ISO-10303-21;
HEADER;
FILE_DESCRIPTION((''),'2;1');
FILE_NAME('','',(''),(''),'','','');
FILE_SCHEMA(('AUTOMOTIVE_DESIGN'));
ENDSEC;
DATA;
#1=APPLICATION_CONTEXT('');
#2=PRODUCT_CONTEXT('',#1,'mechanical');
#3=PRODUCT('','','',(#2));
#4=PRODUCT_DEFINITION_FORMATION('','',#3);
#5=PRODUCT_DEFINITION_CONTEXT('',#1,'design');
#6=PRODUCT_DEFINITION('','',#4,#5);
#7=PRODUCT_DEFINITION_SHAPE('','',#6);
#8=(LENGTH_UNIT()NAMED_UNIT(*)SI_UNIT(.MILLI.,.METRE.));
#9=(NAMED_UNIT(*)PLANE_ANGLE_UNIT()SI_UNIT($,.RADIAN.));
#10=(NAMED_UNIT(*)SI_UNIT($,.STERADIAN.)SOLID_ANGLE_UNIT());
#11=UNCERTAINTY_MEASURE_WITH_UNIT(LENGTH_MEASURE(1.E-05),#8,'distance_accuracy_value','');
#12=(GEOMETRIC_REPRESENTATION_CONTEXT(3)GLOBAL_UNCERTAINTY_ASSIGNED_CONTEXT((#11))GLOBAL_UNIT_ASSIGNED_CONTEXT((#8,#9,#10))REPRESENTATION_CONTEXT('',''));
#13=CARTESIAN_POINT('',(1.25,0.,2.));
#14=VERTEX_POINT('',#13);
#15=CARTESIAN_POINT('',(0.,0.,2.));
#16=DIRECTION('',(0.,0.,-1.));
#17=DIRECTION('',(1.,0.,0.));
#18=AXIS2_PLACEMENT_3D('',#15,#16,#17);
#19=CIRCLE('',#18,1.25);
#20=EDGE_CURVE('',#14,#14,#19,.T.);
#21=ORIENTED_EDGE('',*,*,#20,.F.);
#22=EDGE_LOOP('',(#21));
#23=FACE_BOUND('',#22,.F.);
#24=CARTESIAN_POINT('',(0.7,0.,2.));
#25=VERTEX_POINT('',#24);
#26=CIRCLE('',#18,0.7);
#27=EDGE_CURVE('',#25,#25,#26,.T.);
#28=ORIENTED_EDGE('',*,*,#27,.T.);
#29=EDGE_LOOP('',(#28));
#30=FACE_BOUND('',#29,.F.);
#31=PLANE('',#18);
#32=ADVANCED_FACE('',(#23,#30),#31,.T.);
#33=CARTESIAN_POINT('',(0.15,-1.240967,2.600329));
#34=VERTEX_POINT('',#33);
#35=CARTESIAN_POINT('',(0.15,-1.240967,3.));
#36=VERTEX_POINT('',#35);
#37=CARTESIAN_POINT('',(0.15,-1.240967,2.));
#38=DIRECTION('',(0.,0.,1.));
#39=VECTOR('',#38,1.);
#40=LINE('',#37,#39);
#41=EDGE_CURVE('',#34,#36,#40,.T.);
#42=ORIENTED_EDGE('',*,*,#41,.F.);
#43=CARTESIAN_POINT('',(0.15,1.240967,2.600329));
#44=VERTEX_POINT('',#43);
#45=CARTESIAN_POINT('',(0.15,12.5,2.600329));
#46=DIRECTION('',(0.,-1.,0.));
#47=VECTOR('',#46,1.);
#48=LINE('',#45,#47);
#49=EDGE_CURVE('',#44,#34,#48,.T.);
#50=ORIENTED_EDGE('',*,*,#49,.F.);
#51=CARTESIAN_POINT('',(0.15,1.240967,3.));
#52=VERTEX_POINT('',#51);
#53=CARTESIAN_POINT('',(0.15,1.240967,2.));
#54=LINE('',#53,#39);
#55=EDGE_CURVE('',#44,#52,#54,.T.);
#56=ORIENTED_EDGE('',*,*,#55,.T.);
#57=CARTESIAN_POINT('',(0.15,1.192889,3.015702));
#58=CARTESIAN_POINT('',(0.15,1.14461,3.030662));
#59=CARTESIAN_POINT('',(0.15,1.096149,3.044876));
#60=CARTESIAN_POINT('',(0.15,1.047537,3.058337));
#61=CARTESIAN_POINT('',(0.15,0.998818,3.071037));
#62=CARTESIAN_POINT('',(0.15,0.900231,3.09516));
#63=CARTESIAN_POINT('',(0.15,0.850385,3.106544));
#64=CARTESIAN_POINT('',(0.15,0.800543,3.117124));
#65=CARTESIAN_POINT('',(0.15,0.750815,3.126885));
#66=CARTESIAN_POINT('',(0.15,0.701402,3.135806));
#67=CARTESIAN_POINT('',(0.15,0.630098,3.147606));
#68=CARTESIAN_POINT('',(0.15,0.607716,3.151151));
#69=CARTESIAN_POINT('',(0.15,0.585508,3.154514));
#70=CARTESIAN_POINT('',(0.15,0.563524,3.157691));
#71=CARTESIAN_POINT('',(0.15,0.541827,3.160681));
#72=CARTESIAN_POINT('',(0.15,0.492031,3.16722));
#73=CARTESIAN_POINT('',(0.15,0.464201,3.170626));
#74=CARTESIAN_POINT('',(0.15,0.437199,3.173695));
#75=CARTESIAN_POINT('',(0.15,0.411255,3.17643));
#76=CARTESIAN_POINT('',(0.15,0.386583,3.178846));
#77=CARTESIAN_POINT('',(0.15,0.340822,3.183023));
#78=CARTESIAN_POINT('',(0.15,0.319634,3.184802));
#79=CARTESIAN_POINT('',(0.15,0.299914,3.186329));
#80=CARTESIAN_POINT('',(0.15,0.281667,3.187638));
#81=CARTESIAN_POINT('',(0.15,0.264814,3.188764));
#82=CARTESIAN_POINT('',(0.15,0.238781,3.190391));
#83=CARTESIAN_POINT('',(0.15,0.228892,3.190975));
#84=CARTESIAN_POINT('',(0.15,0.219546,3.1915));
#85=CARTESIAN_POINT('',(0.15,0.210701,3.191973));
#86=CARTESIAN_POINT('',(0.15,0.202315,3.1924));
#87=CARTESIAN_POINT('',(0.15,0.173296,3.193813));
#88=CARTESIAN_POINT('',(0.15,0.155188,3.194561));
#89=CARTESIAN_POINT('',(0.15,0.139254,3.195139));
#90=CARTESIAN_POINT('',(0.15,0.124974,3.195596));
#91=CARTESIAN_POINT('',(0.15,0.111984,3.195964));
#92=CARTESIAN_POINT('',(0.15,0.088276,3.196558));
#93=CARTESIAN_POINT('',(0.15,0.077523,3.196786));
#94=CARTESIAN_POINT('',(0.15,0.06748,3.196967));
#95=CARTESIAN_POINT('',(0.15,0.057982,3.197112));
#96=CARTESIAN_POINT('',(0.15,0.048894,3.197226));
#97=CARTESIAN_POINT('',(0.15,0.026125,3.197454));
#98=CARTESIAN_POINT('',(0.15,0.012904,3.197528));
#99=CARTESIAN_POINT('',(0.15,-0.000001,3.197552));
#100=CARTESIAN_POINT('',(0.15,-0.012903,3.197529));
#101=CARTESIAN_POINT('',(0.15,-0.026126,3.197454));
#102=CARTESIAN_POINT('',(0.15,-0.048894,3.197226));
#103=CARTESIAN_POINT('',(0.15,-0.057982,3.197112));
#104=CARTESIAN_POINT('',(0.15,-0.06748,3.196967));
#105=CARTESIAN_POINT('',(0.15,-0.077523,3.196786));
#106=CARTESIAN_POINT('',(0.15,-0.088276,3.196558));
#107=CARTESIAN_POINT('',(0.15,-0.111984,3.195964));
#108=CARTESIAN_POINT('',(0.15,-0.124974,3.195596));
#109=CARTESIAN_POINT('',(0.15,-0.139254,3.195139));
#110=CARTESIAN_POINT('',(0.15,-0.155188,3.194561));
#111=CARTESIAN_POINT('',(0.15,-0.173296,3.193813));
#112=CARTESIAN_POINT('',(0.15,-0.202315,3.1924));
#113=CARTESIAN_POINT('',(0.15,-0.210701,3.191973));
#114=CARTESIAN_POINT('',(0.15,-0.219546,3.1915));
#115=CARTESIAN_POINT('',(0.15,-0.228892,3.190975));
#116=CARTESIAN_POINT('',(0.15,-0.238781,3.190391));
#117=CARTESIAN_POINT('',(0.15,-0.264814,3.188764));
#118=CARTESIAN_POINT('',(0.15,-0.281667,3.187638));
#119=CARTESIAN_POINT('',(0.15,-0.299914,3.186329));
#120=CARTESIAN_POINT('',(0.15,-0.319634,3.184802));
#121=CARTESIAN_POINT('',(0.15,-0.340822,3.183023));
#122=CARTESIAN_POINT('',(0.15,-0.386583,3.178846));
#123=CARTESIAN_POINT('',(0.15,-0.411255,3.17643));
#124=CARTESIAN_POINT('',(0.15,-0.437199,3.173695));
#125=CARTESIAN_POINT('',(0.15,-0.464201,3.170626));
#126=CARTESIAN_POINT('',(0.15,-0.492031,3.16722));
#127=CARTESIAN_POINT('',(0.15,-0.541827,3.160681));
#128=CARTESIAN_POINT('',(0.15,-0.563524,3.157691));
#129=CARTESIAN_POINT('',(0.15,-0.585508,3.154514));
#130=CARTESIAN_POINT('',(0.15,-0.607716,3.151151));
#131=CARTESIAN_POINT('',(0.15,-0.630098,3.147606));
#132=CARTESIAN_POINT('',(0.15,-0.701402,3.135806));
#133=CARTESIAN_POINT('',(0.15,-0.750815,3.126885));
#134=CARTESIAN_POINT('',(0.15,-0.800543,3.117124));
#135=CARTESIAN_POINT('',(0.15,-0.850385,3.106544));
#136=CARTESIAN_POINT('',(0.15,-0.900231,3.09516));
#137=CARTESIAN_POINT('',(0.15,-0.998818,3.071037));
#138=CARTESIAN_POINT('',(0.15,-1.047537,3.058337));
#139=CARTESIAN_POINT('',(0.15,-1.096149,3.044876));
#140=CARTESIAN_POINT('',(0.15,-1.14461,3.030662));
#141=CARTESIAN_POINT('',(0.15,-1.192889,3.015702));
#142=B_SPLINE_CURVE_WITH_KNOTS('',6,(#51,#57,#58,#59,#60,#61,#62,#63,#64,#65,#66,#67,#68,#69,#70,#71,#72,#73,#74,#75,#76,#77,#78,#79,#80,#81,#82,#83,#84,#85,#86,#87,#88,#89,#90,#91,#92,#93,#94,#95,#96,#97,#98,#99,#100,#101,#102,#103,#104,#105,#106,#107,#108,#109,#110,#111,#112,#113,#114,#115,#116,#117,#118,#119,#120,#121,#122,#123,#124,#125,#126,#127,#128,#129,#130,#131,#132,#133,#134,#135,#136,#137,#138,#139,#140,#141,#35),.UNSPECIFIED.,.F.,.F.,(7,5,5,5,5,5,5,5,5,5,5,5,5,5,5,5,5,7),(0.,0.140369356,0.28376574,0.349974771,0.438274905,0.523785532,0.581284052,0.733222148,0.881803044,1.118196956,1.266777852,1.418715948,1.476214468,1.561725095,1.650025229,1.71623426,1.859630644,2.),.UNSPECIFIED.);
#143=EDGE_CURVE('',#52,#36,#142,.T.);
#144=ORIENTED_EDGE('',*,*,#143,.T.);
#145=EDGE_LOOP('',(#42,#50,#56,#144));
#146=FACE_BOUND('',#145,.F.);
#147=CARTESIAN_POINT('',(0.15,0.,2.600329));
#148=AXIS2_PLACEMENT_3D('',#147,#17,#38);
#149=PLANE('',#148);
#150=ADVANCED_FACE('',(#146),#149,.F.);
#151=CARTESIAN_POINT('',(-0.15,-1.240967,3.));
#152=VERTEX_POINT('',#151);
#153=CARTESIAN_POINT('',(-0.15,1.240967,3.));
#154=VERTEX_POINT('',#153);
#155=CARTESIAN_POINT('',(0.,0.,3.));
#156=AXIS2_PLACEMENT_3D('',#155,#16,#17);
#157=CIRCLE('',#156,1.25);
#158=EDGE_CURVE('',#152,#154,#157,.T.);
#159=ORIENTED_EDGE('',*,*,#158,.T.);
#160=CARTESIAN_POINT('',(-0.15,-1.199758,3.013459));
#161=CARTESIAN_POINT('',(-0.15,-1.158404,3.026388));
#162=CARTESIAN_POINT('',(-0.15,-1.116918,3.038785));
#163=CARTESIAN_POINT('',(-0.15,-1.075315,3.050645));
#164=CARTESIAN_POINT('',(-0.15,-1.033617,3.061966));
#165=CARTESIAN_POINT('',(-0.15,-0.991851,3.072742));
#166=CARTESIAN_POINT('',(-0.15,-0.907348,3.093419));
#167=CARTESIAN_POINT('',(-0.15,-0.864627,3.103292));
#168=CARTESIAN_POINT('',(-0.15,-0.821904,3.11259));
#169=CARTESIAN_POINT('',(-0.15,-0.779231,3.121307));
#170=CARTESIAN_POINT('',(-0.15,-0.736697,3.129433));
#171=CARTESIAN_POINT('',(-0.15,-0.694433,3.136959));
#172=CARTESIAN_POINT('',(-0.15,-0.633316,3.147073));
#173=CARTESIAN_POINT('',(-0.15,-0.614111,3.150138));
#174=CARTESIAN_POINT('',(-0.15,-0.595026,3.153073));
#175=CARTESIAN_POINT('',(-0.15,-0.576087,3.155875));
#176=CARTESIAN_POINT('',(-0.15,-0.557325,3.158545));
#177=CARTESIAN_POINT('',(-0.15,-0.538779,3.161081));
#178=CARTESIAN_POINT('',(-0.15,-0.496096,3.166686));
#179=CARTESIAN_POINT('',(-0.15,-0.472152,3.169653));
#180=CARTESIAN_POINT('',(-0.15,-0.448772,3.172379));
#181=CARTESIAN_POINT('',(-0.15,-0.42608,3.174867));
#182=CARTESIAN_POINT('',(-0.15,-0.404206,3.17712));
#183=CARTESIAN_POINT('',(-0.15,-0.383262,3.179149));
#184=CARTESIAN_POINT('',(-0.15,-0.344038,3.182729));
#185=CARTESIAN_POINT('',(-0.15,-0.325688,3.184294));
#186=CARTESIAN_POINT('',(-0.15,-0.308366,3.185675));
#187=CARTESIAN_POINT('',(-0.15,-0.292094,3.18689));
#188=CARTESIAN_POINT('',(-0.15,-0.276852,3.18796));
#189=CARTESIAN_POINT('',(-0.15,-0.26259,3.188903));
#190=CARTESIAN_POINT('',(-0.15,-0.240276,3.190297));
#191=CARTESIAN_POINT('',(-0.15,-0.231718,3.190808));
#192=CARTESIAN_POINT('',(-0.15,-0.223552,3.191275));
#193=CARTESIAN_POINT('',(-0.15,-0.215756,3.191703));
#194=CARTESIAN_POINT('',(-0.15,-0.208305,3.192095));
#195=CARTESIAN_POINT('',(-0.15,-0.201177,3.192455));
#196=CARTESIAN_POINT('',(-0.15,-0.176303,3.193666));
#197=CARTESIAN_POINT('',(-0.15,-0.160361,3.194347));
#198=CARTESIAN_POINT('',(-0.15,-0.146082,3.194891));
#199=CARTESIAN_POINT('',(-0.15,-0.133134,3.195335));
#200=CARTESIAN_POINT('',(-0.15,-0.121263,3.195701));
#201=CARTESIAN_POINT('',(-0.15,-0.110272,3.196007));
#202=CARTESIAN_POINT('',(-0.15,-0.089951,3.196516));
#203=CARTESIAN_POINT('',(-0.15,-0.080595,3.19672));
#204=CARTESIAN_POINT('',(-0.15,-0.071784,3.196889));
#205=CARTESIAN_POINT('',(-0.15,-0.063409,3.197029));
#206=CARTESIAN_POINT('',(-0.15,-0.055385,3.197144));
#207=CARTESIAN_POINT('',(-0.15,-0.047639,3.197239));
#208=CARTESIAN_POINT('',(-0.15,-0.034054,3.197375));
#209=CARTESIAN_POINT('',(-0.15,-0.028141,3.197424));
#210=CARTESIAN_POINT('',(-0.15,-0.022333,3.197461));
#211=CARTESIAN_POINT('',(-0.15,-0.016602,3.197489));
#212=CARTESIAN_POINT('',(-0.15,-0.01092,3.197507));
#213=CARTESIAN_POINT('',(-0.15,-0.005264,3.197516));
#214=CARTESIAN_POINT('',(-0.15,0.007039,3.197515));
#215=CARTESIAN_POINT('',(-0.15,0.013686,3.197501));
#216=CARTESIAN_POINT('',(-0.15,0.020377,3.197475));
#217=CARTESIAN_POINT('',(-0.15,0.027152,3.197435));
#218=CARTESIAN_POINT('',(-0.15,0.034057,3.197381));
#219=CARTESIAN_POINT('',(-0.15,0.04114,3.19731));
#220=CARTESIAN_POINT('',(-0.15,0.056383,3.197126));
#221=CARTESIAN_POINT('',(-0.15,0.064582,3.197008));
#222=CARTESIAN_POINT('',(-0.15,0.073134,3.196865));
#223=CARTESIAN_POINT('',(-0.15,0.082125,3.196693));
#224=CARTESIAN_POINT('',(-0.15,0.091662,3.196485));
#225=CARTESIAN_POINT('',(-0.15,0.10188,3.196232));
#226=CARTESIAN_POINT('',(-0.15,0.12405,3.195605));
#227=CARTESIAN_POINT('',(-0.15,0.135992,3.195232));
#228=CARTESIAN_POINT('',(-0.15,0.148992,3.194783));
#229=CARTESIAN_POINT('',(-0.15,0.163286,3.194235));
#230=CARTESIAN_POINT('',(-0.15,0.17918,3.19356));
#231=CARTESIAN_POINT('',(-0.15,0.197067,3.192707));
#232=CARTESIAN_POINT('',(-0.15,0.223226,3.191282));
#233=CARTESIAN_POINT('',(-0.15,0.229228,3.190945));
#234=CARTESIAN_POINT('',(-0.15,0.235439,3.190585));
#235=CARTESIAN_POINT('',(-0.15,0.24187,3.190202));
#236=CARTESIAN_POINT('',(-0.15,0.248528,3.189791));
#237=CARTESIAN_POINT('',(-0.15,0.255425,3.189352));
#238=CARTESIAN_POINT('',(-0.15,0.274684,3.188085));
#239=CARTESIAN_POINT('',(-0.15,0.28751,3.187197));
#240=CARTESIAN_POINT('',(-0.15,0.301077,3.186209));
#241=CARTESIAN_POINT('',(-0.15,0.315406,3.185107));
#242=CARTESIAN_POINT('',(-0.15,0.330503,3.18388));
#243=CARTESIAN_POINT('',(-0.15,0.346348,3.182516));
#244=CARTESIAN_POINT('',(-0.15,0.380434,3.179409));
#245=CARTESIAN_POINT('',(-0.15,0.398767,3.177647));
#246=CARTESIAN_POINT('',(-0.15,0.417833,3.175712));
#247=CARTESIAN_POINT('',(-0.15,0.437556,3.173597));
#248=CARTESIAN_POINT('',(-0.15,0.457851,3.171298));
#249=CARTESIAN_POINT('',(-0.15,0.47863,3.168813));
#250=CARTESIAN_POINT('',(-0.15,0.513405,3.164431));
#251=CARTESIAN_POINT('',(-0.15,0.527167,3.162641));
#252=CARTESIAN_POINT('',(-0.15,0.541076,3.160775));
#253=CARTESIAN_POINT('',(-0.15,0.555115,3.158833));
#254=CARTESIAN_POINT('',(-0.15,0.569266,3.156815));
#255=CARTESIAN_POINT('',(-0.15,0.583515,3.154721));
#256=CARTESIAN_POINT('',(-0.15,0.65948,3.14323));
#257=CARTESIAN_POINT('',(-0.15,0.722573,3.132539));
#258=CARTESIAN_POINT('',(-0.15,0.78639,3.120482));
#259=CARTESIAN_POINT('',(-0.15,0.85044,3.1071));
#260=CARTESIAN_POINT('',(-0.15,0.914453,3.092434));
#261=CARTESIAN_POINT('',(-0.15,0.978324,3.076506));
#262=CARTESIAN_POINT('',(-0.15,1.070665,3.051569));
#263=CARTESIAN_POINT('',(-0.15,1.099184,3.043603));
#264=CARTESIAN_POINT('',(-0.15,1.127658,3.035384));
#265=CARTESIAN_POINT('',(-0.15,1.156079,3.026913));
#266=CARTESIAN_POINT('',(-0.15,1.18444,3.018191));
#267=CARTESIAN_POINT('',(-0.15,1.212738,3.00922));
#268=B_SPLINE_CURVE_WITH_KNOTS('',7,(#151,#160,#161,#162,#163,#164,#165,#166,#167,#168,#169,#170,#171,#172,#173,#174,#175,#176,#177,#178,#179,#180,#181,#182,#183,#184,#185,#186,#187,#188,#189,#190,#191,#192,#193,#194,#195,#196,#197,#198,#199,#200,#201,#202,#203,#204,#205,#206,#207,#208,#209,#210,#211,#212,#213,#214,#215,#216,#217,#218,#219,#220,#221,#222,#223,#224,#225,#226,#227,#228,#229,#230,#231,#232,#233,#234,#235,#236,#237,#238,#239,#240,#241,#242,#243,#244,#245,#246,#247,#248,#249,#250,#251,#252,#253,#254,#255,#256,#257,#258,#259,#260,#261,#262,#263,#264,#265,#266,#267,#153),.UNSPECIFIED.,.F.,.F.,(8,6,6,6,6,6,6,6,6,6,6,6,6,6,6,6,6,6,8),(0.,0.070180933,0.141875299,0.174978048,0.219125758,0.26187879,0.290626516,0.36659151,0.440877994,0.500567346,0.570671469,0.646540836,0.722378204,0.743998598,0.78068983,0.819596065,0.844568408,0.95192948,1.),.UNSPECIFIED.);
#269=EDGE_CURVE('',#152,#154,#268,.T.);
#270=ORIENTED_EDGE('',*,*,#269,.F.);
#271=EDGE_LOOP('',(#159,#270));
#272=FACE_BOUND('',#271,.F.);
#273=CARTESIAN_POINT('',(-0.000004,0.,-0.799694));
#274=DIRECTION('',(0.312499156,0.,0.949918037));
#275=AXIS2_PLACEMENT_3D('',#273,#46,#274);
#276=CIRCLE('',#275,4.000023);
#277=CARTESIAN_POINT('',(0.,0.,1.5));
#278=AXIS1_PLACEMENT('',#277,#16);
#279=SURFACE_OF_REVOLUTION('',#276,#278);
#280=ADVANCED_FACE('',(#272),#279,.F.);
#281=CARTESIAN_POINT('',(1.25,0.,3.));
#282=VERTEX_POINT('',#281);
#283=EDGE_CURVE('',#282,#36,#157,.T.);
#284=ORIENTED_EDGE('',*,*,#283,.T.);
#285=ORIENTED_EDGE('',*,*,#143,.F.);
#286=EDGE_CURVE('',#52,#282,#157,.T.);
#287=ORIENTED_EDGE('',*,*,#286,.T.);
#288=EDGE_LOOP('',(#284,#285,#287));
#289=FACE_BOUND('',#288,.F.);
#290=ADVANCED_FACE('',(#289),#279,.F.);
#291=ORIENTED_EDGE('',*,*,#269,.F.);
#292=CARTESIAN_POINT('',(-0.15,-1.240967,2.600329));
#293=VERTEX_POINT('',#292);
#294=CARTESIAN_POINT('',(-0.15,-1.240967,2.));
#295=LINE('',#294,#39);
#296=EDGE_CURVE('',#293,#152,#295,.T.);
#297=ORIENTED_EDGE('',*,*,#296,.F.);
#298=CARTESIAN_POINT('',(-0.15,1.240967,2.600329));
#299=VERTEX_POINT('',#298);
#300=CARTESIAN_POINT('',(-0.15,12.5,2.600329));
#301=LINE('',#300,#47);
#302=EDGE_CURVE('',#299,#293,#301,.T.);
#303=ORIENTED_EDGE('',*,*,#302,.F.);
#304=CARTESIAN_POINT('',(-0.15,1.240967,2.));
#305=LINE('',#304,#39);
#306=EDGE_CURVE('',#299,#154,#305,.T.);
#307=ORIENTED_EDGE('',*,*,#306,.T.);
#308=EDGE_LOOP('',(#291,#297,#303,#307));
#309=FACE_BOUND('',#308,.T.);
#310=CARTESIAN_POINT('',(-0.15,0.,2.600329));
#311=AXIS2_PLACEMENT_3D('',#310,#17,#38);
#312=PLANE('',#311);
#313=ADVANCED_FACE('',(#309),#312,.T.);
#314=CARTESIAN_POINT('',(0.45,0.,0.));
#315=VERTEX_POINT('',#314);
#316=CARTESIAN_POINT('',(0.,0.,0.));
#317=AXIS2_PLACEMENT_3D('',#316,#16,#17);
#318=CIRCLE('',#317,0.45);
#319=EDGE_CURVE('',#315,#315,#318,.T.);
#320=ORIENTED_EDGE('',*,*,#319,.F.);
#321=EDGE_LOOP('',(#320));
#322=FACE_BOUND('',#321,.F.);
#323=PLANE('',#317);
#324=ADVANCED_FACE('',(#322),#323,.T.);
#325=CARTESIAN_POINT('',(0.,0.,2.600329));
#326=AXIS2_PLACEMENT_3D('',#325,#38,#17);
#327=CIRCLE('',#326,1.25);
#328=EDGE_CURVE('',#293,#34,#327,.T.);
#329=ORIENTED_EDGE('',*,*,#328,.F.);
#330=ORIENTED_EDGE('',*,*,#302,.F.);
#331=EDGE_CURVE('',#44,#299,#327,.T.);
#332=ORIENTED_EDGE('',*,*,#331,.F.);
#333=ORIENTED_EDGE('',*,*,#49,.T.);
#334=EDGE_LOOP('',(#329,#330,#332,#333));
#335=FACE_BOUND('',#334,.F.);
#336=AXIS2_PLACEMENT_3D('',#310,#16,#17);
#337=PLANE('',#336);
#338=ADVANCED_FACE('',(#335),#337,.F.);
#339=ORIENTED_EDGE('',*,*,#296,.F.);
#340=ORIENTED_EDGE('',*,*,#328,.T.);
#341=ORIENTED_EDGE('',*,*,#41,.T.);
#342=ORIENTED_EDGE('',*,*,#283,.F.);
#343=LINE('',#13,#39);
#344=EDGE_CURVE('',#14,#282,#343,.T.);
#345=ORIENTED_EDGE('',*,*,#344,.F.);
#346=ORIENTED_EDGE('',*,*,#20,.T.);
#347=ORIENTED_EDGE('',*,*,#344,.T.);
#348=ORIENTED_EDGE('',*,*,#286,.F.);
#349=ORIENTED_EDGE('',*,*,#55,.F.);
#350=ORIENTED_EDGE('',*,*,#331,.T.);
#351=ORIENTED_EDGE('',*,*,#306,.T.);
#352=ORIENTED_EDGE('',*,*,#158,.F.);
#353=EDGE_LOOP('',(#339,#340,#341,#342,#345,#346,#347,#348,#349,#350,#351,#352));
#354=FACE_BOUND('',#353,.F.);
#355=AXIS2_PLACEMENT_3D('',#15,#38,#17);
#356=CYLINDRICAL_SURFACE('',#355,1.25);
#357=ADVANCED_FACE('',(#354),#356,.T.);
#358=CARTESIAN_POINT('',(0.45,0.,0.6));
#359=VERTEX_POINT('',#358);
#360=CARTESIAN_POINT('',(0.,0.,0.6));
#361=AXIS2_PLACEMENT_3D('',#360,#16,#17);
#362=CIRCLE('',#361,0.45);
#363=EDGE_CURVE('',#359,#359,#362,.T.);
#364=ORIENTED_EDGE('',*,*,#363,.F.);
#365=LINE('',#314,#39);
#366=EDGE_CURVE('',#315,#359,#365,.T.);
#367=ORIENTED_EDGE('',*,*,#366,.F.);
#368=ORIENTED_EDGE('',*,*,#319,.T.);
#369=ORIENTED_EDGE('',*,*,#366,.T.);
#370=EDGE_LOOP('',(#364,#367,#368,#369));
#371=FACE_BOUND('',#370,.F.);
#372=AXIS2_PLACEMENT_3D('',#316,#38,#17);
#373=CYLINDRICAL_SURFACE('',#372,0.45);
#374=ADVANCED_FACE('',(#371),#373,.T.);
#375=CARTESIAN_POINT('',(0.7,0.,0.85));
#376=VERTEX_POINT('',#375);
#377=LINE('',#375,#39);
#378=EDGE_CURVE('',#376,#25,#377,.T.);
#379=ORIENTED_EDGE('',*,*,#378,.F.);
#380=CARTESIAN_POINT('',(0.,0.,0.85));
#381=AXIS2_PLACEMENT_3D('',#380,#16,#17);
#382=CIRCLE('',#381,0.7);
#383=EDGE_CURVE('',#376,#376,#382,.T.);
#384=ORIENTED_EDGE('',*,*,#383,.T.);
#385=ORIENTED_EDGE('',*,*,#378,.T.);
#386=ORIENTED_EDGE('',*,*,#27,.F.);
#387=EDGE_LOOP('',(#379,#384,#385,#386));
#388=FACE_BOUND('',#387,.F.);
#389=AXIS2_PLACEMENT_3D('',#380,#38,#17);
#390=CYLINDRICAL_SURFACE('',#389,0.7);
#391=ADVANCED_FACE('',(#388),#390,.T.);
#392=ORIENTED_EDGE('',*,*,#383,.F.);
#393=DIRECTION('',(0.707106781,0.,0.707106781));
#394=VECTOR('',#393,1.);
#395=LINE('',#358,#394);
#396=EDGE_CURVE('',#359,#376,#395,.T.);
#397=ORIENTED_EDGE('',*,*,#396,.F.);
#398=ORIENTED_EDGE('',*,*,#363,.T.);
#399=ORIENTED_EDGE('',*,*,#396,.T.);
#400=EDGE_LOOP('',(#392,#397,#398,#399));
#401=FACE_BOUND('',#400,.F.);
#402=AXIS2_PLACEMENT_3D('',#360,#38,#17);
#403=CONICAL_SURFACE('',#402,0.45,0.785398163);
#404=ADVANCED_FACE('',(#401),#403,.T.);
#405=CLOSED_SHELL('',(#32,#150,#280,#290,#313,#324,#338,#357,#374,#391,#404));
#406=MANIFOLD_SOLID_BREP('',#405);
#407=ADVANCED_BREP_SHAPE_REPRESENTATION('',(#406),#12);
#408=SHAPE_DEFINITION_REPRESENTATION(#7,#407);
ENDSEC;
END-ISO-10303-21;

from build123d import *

# Parameters (mm, degrees)
F2_W     = 0.3
F2_H     = 0.65
F3_DEPTH = 12.5


with BuildPart() as f1:
    # F0 (on Front) → F1 (revolve)
    with BuildSketch(Plane.XZ):
        Polygon((0, 3), (0, 0), (0.45, 0), (0.45, 0.6), (0.7, 0.85), (0.7, 2), (1.25, 2), (1.25, 3), align=None)
        with BuildLine():
            Line((0, 3.200329), (0, 3))
            Line((0, 3), (1.25, 3))
            ThreePointArc((1.25, 3), (0.632975, 3.149929), (0, 3.200329))
        make_face()
    revolve(axis=Axis((0, 0, 1.5), (0, 0, -1)))

    # F2 (on Front) → F3 (cut, symmetric)
    with BuildSketch(Plane.XZ):
        with Locations((0, 2.925329)):
            Rectangle(F2_W, F2_H)
    extrude(amount=F3_DEPTH, both=True, mode=Mode.SUBTRACT)


solid = f1.part
